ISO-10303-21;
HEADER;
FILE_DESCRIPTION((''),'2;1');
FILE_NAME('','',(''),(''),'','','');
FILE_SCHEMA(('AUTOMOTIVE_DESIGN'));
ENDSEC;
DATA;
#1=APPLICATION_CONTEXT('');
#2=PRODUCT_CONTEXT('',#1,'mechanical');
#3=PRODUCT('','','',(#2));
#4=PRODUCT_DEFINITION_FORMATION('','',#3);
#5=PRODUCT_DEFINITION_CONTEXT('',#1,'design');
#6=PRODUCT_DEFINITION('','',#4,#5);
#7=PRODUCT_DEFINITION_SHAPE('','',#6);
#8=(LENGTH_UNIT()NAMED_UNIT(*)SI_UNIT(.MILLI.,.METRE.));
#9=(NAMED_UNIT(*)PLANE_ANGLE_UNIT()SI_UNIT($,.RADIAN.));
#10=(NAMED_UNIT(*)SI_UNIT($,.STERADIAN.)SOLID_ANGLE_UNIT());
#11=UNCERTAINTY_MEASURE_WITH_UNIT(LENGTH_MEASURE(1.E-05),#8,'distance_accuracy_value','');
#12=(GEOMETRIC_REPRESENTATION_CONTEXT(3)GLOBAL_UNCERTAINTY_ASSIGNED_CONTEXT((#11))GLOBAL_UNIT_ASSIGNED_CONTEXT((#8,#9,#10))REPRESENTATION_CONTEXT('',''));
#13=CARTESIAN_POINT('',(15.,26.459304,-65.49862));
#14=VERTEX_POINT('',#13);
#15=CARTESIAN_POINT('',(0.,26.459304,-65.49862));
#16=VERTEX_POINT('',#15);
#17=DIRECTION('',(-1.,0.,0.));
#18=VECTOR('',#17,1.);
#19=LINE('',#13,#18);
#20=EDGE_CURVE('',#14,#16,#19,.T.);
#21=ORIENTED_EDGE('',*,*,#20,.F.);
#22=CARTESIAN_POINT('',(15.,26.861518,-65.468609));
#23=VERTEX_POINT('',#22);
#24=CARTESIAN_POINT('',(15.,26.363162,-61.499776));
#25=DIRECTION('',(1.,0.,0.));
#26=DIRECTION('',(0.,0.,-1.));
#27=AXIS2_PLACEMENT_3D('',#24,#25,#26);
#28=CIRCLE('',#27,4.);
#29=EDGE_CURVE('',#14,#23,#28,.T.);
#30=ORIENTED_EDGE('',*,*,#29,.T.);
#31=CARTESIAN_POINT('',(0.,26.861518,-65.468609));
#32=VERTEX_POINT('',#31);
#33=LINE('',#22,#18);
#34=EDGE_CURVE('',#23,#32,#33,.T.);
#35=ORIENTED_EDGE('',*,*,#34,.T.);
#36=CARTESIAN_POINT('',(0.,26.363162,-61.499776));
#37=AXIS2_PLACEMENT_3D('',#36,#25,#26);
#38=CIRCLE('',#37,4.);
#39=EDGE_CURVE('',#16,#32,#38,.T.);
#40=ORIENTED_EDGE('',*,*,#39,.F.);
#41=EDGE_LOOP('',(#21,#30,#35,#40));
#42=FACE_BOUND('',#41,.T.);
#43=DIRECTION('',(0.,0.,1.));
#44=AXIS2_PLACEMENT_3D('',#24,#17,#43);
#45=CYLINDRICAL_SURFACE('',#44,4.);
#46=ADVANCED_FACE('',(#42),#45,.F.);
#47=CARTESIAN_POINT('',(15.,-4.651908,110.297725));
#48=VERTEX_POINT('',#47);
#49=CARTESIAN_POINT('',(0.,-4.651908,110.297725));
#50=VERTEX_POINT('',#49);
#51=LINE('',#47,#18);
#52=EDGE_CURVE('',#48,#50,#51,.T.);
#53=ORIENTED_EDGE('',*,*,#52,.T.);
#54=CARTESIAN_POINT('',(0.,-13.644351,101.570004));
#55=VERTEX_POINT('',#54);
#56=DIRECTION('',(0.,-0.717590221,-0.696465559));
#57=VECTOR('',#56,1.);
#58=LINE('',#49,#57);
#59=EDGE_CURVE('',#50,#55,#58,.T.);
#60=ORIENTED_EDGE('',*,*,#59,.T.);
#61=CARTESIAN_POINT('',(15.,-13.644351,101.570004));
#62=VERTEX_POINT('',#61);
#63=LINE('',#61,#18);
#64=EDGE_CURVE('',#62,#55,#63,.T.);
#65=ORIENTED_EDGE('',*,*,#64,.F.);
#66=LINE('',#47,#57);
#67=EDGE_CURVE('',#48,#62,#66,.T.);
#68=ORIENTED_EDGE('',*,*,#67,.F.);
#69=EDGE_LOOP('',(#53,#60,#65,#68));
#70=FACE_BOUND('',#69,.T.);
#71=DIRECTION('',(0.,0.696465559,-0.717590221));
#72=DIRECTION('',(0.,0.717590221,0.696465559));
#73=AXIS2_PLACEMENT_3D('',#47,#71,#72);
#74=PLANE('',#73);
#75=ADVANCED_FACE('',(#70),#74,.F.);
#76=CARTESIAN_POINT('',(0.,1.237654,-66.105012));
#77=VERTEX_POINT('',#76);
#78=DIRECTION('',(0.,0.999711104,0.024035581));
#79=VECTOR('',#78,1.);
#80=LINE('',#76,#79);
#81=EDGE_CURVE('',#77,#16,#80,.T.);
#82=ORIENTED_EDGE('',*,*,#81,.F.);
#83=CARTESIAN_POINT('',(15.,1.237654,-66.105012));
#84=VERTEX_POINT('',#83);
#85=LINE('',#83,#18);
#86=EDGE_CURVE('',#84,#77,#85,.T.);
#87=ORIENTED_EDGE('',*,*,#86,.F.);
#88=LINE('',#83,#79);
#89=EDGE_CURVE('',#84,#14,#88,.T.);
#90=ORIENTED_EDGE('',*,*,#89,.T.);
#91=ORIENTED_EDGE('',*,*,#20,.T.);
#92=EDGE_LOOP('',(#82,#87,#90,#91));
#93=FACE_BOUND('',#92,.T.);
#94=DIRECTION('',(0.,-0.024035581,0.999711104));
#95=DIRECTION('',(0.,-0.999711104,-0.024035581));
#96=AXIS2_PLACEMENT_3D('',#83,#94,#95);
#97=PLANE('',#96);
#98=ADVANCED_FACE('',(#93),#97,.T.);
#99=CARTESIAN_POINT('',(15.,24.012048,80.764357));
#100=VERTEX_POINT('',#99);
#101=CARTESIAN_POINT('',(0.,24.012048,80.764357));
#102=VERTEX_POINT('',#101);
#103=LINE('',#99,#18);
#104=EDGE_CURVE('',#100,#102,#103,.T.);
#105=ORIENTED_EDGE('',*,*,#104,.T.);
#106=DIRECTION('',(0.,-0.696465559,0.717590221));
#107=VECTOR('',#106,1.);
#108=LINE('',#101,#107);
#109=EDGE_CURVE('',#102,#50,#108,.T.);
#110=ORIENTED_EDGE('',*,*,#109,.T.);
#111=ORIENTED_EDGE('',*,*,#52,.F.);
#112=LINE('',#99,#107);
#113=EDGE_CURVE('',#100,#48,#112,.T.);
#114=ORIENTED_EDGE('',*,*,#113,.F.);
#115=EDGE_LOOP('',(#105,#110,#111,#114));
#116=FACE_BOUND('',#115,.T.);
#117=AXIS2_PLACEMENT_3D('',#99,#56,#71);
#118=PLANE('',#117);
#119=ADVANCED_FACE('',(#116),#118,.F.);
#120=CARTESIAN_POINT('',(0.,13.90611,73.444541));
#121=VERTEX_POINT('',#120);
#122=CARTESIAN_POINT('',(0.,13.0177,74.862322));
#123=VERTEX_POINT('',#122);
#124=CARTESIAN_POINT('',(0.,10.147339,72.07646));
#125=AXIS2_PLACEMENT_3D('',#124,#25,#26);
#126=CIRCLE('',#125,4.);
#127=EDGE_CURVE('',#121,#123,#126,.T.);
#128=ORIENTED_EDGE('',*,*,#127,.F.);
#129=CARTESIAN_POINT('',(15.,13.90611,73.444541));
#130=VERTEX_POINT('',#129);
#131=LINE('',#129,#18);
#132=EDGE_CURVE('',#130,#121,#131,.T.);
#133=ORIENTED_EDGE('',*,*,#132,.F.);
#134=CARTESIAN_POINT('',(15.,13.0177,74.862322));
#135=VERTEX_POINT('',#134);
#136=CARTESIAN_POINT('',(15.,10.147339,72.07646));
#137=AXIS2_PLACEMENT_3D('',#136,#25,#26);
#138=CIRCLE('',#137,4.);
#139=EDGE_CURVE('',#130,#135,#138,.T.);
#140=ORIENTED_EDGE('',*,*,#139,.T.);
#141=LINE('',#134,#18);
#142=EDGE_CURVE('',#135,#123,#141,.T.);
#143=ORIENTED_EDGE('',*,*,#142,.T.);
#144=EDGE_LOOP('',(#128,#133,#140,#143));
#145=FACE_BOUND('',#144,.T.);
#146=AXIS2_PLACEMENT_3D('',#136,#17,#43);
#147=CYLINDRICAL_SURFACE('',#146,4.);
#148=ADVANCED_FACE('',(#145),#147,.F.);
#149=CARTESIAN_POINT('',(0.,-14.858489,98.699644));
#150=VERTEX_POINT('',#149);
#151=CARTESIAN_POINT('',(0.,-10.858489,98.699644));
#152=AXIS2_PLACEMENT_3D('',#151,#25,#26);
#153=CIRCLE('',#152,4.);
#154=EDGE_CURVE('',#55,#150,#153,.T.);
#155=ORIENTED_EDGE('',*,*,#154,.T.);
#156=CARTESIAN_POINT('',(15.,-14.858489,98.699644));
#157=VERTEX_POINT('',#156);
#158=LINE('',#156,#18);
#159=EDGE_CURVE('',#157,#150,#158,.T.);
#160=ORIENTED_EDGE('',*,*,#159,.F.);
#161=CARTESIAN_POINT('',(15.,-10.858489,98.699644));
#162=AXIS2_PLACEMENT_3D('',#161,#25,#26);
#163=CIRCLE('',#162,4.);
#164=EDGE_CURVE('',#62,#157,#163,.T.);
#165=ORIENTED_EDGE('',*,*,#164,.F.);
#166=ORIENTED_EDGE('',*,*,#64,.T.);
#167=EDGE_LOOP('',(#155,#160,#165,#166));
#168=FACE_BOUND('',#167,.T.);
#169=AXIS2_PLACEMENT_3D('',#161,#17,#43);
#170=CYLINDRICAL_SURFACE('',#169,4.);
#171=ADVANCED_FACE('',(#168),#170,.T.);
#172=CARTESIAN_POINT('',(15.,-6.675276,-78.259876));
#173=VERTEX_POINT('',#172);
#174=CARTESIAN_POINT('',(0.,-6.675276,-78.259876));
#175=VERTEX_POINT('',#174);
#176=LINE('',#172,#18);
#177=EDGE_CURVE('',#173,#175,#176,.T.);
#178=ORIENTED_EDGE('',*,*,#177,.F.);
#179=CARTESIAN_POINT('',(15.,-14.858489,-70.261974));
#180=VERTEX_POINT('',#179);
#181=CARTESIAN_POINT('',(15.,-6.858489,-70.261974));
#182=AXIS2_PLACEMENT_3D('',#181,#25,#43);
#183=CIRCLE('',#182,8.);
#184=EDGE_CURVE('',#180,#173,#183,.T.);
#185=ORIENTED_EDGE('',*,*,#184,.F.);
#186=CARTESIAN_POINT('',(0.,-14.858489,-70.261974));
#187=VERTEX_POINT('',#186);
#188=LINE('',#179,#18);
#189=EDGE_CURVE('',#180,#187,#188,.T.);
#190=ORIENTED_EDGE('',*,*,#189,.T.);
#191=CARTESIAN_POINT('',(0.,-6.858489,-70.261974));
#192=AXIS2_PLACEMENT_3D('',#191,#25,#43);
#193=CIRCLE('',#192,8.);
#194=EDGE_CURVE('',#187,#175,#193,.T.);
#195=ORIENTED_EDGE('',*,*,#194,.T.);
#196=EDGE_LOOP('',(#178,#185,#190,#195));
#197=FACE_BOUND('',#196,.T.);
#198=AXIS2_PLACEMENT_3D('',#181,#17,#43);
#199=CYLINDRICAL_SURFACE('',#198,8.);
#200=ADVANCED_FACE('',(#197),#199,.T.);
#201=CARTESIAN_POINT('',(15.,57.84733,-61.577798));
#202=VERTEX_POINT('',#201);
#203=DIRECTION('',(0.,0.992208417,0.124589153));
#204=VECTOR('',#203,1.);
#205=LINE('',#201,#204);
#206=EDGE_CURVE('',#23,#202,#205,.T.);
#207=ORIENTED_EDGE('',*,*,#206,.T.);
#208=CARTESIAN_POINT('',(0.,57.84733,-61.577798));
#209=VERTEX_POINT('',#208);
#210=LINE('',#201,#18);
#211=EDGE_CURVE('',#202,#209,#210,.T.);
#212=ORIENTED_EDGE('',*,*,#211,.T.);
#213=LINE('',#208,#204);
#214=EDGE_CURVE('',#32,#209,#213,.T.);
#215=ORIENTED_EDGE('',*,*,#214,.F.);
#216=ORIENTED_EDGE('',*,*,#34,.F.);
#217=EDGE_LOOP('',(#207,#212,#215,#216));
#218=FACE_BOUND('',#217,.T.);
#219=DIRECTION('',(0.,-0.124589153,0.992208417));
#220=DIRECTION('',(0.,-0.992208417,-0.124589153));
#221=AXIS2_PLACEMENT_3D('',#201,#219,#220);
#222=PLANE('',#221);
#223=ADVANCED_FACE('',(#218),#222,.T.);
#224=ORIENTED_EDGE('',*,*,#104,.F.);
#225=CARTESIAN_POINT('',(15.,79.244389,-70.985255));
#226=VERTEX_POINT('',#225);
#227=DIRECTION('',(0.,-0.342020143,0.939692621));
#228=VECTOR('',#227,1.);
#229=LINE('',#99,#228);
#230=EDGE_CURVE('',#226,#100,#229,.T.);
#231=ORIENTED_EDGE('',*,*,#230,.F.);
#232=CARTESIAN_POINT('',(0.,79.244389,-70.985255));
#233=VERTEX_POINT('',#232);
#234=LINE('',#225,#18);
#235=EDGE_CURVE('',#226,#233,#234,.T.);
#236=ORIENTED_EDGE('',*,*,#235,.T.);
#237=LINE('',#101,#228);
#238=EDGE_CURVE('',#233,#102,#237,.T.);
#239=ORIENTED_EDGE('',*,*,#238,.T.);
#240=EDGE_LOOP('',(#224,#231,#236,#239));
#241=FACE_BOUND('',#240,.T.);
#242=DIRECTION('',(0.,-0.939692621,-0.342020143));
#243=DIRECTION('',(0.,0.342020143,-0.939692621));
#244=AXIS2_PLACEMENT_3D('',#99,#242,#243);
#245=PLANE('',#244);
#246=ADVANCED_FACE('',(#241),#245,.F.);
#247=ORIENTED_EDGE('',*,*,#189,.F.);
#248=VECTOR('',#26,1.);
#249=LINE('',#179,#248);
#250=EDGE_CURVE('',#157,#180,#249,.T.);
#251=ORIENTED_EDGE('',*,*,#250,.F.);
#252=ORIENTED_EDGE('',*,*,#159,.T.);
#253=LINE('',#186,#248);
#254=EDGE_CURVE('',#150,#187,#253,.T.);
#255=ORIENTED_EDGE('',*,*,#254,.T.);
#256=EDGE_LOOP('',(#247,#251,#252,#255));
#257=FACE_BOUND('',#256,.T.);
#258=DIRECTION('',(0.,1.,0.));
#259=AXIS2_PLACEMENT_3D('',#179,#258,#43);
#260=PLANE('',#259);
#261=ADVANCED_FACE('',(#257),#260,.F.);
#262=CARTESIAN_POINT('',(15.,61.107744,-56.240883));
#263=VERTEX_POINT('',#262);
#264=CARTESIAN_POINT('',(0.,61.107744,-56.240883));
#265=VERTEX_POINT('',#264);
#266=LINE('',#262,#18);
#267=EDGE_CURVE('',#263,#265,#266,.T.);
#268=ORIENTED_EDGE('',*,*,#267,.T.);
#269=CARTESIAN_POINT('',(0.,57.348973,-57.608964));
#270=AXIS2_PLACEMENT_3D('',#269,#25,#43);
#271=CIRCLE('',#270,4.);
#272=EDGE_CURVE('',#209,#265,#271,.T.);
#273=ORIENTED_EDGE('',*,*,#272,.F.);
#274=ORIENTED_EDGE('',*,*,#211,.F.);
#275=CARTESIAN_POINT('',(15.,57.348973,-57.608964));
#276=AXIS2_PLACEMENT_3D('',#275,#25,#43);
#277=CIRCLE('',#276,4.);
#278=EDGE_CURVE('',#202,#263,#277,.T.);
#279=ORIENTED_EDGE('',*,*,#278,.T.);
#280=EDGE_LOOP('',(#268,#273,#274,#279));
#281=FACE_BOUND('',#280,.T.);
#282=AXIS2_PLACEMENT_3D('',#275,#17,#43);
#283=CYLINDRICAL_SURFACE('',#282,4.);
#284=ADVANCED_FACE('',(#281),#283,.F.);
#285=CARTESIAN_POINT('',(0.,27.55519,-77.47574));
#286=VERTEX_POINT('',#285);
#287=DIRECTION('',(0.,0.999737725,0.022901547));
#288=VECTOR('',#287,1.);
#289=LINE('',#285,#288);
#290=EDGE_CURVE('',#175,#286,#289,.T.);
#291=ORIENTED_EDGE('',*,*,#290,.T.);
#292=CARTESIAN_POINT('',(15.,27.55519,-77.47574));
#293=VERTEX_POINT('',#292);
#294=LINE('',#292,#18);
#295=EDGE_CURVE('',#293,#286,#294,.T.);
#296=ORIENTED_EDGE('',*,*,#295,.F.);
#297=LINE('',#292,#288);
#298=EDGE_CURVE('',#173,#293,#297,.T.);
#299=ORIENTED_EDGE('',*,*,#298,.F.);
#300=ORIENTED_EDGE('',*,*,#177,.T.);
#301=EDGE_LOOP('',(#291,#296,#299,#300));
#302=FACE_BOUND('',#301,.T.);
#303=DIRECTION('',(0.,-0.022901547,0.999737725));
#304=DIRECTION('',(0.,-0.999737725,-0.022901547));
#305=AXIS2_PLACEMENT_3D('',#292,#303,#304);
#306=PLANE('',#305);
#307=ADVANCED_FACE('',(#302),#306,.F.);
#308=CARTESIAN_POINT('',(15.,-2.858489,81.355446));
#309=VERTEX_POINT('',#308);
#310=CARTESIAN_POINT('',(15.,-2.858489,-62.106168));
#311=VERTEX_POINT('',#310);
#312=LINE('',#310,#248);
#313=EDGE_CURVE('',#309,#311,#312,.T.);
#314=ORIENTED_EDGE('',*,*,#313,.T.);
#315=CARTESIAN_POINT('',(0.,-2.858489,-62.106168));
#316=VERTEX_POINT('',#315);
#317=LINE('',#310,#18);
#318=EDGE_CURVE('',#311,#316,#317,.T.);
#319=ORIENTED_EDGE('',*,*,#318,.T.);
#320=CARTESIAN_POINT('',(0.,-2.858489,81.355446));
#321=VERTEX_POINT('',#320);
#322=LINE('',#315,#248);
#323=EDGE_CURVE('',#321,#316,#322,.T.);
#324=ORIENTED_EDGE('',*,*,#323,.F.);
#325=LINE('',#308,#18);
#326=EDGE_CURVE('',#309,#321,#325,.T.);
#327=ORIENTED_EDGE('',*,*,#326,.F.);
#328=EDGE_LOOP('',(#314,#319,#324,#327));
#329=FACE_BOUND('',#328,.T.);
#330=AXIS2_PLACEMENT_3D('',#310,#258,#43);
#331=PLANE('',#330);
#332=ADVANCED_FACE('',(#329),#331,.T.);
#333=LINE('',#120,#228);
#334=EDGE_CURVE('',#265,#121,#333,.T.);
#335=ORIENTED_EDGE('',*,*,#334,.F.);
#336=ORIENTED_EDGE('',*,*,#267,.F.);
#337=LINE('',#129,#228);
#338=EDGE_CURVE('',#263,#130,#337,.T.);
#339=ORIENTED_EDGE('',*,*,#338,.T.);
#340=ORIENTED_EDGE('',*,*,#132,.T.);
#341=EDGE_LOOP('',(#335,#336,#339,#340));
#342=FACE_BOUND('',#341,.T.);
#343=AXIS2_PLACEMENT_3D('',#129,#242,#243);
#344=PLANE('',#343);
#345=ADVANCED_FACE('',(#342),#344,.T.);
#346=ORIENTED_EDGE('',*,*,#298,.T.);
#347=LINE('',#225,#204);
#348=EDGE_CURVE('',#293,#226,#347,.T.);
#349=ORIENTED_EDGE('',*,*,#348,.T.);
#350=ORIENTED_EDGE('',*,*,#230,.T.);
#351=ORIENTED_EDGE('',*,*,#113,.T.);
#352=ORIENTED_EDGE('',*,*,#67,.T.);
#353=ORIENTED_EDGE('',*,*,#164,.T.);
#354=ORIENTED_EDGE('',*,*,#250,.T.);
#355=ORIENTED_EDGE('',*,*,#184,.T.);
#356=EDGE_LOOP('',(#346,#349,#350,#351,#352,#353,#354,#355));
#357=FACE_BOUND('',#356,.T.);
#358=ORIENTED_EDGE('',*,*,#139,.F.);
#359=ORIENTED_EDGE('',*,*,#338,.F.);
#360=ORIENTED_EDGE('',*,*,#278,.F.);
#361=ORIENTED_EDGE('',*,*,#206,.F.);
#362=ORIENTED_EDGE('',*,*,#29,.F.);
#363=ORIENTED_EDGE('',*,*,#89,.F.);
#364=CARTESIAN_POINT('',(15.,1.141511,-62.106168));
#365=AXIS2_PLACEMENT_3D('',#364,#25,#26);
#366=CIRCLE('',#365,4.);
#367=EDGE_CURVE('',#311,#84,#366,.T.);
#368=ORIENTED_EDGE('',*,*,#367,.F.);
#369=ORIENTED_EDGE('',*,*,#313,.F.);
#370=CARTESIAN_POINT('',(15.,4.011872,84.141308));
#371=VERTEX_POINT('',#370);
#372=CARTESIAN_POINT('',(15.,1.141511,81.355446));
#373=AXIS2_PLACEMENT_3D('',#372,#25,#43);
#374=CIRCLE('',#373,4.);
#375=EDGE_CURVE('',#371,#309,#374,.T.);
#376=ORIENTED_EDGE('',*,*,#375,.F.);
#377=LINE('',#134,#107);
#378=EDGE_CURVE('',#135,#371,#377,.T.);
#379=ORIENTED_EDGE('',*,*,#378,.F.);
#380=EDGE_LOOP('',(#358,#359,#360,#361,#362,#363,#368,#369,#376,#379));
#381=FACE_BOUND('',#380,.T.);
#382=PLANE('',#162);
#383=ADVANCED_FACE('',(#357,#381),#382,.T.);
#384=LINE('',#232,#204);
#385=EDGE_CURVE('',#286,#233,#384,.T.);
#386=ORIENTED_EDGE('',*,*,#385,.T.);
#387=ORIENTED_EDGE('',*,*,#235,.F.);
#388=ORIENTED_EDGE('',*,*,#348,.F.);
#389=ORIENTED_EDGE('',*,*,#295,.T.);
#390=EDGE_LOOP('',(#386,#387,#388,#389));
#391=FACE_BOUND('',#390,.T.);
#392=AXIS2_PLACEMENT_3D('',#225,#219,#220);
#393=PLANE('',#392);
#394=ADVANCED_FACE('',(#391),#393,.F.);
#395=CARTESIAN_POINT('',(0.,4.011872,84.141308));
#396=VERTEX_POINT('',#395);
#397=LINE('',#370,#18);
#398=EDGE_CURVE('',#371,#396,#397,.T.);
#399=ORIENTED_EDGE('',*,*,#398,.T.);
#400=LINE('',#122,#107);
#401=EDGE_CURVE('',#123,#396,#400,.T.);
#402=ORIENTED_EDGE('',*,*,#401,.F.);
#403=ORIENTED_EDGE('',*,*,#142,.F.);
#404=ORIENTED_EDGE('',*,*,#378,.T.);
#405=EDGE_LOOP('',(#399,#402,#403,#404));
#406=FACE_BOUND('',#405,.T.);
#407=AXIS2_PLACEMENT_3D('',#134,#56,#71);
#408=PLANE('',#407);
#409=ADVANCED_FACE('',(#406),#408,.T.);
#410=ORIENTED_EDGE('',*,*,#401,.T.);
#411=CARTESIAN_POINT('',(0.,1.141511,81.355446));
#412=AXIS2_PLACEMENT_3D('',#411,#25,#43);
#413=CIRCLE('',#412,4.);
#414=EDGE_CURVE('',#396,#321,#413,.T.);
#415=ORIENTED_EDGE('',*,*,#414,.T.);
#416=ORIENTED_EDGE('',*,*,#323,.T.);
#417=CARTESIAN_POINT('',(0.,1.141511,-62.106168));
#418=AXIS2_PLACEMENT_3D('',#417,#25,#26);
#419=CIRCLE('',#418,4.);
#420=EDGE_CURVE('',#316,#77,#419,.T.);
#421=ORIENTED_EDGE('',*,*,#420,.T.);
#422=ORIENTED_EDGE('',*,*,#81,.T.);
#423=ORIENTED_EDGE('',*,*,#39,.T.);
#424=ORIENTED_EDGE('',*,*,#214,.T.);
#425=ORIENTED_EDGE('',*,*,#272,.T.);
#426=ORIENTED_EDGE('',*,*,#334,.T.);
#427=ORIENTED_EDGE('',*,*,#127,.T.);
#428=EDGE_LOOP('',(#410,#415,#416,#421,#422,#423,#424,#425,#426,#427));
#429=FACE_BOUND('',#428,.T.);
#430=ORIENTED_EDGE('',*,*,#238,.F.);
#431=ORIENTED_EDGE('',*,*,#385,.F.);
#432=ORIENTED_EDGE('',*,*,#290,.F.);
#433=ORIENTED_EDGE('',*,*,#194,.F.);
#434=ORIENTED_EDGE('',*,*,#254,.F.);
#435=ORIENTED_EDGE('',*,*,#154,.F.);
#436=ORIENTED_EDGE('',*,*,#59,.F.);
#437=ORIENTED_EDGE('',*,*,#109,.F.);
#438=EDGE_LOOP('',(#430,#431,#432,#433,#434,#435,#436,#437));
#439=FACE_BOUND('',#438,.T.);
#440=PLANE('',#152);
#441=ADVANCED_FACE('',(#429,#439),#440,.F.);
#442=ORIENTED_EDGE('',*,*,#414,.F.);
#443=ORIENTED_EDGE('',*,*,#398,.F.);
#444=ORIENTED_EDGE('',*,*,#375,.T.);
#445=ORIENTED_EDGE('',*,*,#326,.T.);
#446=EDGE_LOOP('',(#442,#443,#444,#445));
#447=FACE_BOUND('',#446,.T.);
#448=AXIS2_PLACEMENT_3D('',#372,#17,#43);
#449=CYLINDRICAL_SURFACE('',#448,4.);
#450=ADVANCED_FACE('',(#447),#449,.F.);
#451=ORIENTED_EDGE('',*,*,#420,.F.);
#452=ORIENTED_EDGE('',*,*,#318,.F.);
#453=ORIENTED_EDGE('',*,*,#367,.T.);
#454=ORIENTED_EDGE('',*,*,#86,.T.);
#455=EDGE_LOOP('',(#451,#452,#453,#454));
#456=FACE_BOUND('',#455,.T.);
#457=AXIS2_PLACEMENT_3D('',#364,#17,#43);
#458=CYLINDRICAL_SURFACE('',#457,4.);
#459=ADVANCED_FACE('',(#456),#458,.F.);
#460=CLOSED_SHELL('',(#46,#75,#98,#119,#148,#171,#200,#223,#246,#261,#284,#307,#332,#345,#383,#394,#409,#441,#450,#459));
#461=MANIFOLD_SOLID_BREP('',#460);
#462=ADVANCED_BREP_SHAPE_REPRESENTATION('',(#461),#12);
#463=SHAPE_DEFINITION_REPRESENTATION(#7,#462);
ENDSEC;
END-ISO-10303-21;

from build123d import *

# Parameters (mm, degrees)
BOSS_EXTRUDE1_DEPTH = 15


with BuildPart() as part:
    # Sketch1 → Boss-Extrude1 (new body)
    with BuildSketch(Plane(origin=(0, 0, 0), x_dir=(0, 0, -1), z_dir=(1, 0, 0))):
        with BuildLine():
            Line((-80.764356581, 24.012047683), (70.985255082, 79.244389389))
            Line((70.985255082, 79.244389389), (77.475739843, 27.555189639))
            Line((77.475739843, 27.555189639), (78.259876122, -6.675276303))
            ThreePointArc((78.259876122, -6.675276303), (75.98323725, -12.450192398), (70.261974321, -14.858488677))
            Line((70.261974321, -14.858488677), (-98.699643506, -14.858488677))
            ThreePointArc((-98.699643506, -14.858488677), (-100.257936009, -14.542470826), (-101.570004389, -13.644350914))
            Line((-101.570004389, -13.644350914), (-110.297725107, -4.651907634))
            Line((-110.297725107, -4.651907634), (-80.764356581, 24.012047683))
        make_face()
        with BuildLine():
            Line((-73.444540709, 13.906109511), (56.240883381, 61.107743698))
            ThreePointArc((56.240883381, 61.107743698), (59.694282591, 60.762394692), (61.577797623, 57.847329826))
            Line((61.577797623, 57.847329826), (65.468609196, 26.861518446))
            ThreePointArc((65.468609196, 26.861518446), (65.488687358, 26.660789803), (65.498619942, 26.45930416))
            Line((65.498619942, 26.45930416), (66.105012162, 1.237653648))
            ThreePointArc((66.105012162, 1.237653648), (64.968384485, -1.652717614), (62.106167747, -2.858488677))
            Line((62.106167747, -2.858488677), (-81.355445731, -2.858488677))
            ThreePointArc((-81.355445731, -2.858488677), (-85.062293687, -0.36157824), (-84.141307968, 4.011872206))
            Line((-84.141307968, 4.011872206), (-74.862322373, 13.017699911))
            ThreePointArc((-74.862322373, 13.017699911), (-74.200401783, 13.53686287), (-73.444540709, 13.906109511))
        make_face(mode=Mode.SUBTRACT)
    extrude(amount=BOSS_EXTRUDE1_DEPTH)


solid = part.part
